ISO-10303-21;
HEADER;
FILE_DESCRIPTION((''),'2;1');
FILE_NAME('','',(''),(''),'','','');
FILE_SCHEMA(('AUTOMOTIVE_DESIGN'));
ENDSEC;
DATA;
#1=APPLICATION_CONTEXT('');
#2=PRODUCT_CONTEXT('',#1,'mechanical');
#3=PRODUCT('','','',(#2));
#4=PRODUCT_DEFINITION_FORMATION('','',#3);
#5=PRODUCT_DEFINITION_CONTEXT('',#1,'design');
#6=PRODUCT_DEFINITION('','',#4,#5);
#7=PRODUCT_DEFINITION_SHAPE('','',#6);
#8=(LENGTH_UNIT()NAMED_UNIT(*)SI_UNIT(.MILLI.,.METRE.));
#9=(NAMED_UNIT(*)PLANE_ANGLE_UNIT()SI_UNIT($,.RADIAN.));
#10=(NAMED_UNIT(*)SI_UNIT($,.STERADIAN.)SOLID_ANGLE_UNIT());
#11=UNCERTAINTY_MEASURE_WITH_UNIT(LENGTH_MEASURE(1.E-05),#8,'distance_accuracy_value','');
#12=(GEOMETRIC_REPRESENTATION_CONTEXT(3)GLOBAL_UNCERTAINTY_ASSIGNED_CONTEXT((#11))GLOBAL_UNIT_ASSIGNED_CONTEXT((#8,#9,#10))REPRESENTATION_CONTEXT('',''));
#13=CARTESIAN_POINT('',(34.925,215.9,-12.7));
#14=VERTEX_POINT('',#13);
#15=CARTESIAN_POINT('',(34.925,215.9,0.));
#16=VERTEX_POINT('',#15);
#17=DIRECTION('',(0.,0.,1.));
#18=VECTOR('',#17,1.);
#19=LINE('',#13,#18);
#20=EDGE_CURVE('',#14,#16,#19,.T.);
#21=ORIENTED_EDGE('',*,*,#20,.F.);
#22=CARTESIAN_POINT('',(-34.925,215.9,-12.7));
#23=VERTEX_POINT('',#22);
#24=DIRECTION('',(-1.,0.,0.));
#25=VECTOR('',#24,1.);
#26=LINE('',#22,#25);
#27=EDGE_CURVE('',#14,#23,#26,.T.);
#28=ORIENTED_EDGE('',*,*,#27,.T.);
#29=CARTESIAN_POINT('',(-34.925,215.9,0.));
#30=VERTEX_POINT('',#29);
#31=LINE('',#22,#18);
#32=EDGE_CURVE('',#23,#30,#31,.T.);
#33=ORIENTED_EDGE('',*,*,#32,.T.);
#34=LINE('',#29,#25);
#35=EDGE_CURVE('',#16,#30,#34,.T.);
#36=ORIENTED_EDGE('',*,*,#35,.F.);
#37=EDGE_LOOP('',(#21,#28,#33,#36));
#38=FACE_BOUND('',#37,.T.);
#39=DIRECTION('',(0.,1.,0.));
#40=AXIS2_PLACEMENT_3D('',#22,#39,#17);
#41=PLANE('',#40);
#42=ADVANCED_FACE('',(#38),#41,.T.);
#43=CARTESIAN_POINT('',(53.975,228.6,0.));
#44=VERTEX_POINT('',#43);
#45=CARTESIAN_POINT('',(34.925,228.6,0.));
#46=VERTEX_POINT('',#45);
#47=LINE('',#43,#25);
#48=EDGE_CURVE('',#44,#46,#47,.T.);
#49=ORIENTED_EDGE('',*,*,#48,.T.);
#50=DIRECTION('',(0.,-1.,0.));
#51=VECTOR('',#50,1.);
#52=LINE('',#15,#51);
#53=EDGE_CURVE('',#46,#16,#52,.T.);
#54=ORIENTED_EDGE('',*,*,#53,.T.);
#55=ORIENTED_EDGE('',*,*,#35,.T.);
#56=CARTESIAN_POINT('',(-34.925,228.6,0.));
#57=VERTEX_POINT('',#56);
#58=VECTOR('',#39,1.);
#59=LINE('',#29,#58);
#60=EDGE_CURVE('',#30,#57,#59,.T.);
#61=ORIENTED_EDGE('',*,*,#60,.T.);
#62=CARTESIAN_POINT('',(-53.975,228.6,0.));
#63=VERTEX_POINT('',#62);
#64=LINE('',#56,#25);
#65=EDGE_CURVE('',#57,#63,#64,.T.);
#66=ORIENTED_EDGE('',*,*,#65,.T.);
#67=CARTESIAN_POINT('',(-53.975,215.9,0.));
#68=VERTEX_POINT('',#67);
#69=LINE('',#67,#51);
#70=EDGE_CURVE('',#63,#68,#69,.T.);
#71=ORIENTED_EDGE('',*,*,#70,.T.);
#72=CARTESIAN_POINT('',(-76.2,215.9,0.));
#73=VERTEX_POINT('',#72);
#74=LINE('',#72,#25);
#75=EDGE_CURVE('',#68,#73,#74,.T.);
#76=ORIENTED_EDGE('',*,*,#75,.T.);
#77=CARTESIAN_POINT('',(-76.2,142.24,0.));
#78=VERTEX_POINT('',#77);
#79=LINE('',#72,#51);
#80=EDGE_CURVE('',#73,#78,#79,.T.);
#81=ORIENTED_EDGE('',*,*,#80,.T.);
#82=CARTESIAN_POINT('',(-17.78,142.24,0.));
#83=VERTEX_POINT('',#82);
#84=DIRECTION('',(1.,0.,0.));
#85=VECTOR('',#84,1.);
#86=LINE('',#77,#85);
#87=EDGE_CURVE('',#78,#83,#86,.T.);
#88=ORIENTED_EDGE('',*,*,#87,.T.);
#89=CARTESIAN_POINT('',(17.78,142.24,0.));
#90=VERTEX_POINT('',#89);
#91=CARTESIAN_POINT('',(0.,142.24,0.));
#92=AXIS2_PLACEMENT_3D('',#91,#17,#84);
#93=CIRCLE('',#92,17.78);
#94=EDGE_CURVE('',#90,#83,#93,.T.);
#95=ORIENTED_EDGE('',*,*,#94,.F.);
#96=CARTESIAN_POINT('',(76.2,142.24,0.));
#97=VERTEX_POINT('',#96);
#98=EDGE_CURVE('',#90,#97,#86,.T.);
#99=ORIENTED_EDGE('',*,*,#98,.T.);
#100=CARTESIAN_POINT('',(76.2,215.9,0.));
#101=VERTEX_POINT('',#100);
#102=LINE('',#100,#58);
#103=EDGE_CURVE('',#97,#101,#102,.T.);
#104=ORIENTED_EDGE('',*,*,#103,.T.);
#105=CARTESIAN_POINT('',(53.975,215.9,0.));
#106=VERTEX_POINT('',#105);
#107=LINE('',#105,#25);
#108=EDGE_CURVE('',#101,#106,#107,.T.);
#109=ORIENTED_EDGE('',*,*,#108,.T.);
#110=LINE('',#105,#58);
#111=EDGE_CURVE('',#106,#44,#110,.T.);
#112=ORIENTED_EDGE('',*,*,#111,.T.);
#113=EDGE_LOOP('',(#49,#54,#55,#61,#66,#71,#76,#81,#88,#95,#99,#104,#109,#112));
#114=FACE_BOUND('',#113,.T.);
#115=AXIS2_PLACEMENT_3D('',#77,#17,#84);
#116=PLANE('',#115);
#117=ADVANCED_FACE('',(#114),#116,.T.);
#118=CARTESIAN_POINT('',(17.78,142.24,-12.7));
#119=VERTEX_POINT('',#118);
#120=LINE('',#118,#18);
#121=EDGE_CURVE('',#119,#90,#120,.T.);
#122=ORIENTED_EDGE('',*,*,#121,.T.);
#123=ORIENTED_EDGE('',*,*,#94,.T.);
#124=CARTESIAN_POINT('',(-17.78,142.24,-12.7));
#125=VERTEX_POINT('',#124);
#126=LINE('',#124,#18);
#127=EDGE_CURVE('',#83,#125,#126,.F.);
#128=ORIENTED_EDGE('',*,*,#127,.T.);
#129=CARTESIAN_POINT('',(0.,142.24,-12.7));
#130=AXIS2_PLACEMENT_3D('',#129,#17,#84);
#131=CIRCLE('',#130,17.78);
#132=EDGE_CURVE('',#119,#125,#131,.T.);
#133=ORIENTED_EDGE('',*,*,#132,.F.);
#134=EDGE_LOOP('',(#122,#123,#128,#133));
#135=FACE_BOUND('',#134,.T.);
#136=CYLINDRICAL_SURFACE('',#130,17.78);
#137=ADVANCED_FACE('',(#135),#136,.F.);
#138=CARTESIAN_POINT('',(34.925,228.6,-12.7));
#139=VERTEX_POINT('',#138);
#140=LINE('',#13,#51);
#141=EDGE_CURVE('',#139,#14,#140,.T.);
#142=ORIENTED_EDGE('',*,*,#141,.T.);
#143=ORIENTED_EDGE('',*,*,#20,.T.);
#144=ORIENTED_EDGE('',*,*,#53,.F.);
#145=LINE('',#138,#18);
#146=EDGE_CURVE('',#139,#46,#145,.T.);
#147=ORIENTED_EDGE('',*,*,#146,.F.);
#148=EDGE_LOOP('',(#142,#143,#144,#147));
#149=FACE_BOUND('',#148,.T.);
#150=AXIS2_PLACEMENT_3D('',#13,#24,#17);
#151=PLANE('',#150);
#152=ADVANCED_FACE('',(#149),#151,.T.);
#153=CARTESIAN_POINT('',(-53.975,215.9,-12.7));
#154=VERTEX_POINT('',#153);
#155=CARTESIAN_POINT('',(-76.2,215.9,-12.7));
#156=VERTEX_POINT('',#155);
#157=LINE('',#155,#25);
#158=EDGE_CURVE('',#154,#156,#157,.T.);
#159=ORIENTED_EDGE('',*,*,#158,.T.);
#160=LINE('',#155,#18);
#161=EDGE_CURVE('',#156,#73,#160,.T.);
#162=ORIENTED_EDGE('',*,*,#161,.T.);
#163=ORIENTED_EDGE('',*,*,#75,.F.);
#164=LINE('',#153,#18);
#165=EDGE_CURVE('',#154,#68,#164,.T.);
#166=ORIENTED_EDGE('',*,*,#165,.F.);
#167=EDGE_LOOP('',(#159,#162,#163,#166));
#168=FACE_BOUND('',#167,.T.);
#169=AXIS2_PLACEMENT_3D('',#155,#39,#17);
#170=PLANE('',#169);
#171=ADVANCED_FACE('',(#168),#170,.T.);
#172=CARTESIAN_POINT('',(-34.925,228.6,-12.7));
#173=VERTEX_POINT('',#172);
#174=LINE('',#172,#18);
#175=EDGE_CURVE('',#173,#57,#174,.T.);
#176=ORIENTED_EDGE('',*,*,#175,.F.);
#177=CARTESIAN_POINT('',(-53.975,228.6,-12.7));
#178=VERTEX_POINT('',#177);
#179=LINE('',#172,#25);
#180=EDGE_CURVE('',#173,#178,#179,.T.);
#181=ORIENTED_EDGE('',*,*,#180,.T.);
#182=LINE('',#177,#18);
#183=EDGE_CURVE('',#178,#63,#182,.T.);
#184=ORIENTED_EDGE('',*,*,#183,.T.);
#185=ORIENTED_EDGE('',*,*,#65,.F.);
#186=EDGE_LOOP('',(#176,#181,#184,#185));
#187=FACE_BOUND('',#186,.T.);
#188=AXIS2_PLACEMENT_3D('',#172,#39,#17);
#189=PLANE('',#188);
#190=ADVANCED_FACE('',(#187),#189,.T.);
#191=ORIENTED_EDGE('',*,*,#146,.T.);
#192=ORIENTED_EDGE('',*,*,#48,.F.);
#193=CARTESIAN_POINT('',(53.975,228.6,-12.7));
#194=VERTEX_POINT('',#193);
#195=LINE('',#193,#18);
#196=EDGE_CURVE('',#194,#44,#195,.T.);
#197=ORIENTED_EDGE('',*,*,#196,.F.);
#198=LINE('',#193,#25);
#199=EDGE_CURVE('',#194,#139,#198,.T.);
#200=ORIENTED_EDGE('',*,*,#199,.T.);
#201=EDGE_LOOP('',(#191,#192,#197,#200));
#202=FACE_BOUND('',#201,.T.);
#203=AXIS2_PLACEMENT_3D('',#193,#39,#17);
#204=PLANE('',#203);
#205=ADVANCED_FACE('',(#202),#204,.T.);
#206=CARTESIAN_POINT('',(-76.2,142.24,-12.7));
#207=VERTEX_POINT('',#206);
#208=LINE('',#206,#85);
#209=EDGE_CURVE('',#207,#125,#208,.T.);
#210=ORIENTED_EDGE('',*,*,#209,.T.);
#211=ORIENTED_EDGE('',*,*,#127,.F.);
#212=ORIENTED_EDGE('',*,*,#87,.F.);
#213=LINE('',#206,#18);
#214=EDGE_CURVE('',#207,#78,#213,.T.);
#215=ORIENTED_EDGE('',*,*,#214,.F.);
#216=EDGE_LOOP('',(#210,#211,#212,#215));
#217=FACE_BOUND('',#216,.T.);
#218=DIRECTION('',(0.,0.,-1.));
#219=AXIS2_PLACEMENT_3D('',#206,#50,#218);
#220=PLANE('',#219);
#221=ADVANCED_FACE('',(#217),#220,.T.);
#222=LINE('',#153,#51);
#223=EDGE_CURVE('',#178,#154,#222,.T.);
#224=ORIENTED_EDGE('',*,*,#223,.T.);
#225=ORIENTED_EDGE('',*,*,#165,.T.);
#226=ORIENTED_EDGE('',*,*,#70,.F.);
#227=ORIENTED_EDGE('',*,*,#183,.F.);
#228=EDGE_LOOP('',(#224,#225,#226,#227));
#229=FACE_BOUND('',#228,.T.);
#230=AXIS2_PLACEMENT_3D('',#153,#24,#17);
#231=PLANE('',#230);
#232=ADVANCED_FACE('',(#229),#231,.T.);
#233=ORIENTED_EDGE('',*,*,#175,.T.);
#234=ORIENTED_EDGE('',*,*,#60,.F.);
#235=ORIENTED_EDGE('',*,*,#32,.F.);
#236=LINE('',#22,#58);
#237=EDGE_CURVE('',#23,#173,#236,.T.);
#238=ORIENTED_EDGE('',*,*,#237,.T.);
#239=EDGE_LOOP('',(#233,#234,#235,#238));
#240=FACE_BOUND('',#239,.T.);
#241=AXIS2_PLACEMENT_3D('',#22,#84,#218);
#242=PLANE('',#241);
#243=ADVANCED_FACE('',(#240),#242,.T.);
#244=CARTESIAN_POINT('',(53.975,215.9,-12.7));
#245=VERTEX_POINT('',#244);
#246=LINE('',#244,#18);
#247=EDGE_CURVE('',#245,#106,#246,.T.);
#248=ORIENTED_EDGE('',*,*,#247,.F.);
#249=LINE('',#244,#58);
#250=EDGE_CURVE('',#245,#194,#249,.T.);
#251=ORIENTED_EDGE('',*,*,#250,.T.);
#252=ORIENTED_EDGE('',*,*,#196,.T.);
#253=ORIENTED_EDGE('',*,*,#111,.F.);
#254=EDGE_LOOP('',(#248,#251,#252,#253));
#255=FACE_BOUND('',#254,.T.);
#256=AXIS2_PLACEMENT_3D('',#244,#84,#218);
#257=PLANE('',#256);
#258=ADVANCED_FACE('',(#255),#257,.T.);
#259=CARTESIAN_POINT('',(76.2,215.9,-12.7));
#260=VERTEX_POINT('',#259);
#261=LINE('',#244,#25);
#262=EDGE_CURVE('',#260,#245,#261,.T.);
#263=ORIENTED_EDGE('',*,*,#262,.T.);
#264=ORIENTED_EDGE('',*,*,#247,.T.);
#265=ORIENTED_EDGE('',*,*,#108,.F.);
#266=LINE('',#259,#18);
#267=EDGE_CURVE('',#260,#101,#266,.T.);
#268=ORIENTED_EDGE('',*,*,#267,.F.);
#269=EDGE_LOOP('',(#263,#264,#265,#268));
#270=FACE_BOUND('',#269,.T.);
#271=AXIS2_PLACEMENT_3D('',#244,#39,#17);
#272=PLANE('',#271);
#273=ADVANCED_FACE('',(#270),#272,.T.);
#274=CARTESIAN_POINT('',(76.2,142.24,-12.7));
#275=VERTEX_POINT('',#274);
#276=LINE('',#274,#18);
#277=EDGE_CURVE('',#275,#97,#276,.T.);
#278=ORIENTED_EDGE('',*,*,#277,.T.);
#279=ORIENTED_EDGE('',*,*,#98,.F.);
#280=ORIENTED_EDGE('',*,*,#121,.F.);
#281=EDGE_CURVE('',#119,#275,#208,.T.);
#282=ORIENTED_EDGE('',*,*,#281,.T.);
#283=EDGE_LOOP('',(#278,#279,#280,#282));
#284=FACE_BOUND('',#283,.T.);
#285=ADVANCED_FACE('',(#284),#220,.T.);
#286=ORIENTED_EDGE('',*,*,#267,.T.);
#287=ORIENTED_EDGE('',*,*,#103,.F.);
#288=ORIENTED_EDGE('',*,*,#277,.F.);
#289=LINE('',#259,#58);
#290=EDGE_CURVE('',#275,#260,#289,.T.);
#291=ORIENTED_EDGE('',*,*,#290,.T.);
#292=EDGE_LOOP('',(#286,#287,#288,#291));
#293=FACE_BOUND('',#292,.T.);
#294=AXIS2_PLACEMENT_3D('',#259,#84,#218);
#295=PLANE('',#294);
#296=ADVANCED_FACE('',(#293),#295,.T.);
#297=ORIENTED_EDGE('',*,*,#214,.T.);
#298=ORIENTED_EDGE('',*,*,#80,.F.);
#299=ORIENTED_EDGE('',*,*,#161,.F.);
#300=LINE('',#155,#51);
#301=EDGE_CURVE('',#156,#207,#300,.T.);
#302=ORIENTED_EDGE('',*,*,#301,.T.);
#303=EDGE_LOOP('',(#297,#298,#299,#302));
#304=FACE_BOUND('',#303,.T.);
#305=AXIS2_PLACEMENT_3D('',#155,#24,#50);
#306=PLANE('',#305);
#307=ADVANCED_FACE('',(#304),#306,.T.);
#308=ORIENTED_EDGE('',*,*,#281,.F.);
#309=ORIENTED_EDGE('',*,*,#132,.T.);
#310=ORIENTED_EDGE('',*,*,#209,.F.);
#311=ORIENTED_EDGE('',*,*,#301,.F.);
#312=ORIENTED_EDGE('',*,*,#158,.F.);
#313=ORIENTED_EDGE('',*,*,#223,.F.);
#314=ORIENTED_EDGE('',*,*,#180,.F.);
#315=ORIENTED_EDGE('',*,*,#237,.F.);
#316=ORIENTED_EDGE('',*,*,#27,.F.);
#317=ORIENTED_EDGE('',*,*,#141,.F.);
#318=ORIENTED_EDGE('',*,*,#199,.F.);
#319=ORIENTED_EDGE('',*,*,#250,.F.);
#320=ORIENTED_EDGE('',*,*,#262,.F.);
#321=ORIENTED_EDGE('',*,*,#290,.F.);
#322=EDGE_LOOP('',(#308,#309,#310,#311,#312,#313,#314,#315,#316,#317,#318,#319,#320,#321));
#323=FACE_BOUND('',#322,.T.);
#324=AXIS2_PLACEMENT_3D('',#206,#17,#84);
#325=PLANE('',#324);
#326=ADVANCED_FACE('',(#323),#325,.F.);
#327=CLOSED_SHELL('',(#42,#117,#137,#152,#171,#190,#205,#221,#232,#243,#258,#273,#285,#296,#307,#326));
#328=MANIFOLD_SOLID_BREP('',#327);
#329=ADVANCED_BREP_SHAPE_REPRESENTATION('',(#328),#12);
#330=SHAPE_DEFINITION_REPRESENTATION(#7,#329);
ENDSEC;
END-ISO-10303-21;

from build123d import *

# Parameters (mm, degrees)
EXTRUDE1_DEPTH     = 12.7
SKETCH2_R          = 17.78
CUT_EXTRUDE1_DEPTH = 242.3


with BuildPart() as part:
    # Sketch1 → Extrude1 (new body)
    with BuildSketch(Plane.XY):
        Polygon((-76.2, 215.9), (-53.975, 215.9), (-53.975, 228.6), (-34.925, 228.6), (-34.925, 215.9), (34.925, 215.9), (34.925, 228.6), (53.975, 228.6), (53.975, 215.9), (76.2, 215.9), (76.2, 142.24), (-76.2, 142.24), align=None)
    extrude(amount=-EXTRUDE1_DEPTH)

    # Sketch2 → Cut-Extrude1 (cut, through all)
    with BuildSketch(Plane.XY):
        with Locations((0, 142.24)):
            Circle(SKETCH2_R)
    extrude(amount=-CUT_EXTRUDE1_DEPTH, mode=Mode.SUBTRACT)


solid = part.part
